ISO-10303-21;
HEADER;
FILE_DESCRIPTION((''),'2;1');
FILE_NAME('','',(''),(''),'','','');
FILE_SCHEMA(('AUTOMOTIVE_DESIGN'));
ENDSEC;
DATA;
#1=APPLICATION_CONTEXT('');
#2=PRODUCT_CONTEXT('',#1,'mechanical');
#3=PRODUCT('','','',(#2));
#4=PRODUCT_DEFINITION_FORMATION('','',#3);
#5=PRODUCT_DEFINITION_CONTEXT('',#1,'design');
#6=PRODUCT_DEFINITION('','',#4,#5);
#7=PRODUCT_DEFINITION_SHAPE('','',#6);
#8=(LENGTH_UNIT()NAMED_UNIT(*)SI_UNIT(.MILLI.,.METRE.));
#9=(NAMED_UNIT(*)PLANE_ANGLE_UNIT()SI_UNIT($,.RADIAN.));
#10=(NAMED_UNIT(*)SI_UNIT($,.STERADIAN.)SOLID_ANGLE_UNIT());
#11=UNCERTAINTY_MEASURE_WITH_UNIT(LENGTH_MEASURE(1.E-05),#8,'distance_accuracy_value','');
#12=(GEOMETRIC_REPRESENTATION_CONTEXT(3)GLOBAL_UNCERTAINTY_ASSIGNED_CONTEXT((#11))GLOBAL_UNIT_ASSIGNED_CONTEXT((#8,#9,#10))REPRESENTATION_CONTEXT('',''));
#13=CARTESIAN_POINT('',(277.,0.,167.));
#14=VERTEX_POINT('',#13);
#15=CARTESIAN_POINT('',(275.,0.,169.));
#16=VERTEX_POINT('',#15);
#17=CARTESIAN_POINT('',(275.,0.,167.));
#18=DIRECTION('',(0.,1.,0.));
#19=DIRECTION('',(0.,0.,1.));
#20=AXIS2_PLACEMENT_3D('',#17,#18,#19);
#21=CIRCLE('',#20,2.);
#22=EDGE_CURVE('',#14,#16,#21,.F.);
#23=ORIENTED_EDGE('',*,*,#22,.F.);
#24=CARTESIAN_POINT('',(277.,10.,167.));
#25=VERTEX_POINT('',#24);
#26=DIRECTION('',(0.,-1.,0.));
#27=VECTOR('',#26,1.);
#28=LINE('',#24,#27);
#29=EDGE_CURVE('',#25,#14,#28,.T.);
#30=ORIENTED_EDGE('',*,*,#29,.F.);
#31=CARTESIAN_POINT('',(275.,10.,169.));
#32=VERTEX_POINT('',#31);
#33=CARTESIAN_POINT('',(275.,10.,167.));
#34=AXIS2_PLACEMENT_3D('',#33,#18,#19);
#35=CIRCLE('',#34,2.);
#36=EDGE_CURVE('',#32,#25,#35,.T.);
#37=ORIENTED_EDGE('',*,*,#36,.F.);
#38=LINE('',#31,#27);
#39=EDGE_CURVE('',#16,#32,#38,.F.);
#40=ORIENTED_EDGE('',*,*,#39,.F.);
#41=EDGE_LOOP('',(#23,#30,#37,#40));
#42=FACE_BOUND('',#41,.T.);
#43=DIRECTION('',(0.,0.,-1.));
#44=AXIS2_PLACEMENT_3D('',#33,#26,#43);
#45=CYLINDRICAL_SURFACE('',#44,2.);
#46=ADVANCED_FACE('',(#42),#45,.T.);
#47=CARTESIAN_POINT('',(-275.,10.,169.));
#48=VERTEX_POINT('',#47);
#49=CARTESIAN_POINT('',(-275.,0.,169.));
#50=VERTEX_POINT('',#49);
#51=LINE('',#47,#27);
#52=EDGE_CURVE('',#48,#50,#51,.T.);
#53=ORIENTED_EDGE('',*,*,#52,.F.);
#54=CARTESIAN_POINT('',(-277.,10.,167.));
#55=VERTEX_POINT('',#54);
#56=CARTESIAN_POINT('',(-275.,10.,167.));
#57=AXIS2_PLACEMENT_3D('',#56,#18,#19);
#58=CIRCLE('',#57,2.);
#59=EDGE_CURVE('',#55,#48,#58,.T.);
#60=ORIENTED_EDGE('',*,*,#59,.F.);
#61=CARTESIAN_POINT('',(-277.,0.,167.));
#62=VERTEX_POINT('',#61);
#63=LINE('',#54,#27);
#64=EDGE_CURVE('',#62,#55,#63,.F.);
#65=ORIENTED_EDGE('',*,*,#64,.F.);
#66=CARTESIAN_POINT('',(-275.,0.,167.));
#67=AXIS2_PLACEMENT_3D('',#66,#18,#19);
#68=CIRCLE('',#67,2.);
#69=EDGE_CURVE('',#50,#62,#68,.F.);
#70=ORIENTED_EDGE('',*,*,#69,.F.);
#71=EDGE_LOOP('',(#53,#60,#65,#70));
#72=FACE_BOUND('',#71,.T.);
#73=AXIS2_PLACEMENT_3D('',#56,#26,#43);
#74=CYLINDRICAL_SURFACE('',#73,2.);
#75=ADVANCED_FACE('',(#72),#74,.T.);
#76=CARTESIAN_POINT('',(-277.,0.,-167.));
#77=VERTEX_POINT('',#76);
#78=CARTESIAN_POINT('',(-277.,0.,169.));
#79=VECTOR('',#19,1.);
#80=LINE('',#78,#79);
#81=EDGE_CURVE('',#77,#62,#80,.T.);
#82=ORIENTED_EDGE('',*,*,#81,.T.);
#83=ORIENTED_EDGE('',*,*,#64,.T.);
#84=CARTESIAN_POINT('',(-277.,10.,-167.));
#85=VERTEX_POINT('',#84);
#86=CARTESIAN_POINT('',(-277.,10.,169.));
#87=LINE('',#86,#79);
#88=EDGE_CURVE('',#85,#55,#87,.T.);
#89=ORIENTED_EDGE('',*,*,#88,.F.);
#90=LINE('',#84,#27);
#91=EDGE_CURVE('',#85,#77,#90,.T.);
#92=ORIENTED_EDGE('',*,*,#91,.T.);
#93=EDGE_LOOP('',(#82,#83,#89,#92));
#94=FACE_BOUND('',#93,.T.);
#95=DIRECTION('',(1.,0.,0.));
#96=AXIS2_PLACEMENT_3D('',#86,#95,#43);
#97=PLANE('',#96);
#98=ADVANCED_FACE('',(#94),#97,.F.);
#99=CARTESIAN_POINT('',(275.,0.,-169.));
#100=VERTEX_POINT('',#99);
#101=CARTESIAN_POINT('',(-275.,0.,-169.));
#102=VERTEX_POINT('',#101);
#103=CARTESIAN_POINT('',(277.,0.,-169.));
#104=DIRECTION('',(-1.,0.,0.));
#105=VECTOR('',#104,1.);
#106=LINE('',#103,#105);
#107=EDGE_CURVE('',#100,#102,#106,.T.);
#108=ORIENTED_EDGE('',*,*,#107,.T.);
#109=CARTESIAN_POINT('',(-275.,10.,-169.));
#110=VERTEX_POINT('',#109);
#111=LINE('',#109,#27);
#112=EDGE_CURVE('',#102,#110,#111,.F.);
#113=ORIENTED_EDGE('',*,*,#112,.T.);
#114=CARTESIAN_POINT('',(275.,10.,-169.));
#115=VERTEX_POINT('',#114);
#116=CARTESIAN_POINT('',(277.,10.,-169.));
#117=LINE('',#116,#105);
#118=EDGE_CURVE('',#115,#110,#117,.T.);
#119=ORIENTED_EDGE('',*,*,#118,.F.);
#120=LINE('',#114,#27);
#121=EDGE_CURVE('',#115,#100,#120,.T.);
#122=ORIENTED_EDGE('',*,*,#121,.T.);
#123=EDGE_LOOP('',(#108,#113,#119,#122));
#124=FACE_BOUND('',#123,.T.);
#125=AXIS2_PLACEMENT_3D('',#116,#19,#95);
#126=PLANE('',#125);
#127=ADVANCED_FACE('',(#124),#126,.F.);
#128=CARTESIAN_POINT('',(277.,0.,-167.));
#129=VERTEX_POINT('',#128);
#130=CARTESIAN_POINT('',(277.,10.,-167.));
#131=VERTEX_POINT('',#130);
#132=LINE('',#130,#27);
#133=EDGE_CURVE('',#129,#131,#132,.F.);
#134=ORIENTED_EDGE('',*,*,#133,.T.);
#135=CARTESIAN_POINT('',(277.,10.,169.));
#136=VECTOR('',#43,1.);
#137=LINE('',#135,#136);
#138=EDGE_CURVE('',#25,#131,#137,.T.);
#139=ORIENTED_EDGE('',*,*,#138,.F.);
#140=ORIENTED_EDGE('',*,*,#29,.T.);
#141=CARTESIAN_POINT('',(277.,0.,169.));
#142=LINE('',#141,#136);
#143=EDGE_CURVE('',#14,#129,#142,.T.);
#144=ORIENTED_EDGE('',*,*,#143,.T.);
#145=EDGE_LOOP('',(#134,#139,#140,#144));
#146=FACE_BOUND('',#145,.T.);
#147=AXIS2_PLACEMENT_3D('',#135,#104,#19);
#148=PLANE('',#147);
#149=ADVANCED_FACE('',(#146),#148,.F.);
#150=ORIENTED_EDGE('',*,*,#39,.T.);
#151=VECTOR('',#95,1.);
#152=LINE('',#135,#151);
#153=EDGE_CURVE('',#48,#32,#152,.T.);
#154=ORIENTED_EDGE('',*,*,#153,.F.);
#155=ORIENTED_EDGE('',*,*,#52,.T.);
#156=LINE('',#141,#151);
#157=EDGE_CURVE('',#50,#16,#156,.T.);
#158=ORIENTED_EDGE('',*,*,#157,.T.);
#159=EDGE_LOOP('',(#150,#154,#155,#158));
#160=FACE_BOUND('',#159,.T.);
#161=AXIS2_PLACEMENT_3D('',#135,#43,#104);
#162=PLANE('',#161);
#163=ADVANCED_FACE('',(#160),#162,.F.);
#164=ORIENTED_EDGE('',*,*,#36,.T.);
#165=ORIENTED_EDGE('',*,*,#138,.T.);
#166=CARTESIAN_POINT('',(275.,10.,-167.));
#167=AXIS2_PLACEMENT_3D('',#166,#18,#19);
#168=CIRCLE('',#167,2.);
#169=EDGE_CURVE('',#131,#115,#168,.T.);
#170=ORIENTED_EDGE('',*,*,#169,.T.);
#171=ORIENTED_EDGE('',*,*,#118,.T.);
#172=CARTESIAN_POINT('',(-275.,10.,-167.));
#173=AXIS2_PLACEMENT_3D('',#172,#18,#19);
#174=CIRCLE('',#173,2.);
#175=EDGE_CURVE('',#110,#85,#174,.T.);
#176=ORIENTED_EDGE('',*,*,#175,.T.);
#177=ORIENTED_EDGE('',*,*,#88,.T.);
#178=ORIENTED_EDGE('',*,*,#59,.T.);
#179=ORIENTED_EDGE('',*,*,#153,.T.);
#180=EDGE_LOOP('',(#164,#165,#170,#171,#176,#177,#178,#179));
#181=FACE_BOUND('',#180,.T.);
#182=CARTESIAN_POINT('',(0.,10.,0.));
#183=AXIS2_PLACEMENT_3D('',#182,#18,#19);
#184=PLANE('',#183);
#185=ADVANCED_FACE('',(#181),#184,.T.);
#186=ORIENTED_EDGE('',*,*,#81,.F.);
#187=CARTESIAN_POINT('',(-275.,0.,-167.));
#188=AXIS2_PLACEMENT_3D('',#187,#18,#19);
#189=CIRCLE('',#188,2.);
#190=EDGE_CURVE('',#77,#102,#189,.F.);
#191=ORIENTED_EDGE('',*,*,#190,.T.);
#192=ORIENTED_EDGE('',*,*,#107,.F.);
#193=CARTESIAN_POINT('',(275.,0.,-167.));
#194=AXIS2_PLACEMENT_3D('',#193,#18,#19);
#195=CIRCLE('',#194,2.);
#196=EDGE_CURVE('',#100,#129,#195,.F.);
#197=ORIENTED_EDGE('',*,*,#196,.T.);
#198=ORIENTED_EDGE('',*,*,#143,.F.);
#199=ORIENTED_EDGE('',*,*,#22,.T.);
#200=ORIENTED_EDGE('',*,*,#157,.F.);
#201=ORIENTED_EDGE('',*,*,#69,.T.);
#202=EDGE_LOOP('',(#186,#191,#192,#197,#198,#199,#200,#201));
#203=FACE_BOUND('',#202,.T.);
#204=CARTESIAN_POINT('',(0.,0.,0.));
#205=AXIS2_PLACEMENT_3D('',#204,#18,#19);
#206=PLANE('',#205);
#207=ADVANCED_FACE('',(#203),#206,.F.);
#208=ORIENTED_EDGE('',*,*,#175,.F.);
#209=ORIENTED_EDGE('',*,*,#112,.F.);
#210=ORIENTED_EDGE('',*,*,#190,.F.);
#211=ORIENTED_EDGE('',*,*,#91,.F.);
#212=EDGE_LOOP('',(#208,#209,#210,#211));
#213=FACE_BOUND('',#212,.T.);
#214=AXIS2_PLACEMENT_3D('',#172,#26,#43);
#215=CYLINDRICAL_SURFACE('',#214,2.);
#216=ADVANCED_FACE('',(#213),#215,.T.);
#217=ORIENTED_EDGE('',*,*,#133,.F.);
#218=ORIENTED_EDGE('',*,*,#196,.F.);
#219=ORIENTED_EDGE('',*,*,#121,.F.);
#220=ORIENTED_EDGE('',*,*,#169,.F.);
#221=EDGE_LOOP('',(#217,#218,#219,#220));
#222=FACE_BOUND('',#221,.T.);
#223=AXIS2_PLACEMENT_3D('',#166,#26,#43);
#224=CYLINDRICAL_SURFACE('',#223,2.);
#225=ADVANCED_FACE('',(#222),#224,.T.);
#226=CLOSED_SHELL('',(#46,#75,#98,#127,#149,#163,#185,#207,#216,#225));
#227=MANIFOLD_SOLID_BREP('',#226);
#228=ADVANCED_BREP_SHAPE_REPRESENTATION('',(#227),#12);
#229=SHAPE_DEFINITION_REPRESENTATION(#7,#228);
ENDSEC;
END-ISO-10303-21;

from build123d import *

# Parameters (mm, degrees)
SKETCH1_W           = 554
SKETCH1_H           = 338
BOSS_EXTRUDE1_DEPTH = 10
FILLET1_R           = 2


with BuildPart() as part:
    # Sketch1 → Boss-Extrude1 (new body)
    with BuildSketch(Plane(origin=(0, 0, 0), x_dir=(1, 0, 0), z_dir=(0, 1, 0))):
        Rectangle(SKETCH1_W, SKETCH1_H)
    extrude(amount=BOSS_EXTRUDE1_DEPTH)

    # Fillet1
    fillet1_edges = [part.edges().sort_by_distance(p)[0] for p in [
        (-277, 5, -169),
        (277, 5, -169),
        (277, 5, 169),
        (-277, 5, 169),
    ]]
    fillet(fillet1_edges, radius=FILLET1_R)


solid = part.part
